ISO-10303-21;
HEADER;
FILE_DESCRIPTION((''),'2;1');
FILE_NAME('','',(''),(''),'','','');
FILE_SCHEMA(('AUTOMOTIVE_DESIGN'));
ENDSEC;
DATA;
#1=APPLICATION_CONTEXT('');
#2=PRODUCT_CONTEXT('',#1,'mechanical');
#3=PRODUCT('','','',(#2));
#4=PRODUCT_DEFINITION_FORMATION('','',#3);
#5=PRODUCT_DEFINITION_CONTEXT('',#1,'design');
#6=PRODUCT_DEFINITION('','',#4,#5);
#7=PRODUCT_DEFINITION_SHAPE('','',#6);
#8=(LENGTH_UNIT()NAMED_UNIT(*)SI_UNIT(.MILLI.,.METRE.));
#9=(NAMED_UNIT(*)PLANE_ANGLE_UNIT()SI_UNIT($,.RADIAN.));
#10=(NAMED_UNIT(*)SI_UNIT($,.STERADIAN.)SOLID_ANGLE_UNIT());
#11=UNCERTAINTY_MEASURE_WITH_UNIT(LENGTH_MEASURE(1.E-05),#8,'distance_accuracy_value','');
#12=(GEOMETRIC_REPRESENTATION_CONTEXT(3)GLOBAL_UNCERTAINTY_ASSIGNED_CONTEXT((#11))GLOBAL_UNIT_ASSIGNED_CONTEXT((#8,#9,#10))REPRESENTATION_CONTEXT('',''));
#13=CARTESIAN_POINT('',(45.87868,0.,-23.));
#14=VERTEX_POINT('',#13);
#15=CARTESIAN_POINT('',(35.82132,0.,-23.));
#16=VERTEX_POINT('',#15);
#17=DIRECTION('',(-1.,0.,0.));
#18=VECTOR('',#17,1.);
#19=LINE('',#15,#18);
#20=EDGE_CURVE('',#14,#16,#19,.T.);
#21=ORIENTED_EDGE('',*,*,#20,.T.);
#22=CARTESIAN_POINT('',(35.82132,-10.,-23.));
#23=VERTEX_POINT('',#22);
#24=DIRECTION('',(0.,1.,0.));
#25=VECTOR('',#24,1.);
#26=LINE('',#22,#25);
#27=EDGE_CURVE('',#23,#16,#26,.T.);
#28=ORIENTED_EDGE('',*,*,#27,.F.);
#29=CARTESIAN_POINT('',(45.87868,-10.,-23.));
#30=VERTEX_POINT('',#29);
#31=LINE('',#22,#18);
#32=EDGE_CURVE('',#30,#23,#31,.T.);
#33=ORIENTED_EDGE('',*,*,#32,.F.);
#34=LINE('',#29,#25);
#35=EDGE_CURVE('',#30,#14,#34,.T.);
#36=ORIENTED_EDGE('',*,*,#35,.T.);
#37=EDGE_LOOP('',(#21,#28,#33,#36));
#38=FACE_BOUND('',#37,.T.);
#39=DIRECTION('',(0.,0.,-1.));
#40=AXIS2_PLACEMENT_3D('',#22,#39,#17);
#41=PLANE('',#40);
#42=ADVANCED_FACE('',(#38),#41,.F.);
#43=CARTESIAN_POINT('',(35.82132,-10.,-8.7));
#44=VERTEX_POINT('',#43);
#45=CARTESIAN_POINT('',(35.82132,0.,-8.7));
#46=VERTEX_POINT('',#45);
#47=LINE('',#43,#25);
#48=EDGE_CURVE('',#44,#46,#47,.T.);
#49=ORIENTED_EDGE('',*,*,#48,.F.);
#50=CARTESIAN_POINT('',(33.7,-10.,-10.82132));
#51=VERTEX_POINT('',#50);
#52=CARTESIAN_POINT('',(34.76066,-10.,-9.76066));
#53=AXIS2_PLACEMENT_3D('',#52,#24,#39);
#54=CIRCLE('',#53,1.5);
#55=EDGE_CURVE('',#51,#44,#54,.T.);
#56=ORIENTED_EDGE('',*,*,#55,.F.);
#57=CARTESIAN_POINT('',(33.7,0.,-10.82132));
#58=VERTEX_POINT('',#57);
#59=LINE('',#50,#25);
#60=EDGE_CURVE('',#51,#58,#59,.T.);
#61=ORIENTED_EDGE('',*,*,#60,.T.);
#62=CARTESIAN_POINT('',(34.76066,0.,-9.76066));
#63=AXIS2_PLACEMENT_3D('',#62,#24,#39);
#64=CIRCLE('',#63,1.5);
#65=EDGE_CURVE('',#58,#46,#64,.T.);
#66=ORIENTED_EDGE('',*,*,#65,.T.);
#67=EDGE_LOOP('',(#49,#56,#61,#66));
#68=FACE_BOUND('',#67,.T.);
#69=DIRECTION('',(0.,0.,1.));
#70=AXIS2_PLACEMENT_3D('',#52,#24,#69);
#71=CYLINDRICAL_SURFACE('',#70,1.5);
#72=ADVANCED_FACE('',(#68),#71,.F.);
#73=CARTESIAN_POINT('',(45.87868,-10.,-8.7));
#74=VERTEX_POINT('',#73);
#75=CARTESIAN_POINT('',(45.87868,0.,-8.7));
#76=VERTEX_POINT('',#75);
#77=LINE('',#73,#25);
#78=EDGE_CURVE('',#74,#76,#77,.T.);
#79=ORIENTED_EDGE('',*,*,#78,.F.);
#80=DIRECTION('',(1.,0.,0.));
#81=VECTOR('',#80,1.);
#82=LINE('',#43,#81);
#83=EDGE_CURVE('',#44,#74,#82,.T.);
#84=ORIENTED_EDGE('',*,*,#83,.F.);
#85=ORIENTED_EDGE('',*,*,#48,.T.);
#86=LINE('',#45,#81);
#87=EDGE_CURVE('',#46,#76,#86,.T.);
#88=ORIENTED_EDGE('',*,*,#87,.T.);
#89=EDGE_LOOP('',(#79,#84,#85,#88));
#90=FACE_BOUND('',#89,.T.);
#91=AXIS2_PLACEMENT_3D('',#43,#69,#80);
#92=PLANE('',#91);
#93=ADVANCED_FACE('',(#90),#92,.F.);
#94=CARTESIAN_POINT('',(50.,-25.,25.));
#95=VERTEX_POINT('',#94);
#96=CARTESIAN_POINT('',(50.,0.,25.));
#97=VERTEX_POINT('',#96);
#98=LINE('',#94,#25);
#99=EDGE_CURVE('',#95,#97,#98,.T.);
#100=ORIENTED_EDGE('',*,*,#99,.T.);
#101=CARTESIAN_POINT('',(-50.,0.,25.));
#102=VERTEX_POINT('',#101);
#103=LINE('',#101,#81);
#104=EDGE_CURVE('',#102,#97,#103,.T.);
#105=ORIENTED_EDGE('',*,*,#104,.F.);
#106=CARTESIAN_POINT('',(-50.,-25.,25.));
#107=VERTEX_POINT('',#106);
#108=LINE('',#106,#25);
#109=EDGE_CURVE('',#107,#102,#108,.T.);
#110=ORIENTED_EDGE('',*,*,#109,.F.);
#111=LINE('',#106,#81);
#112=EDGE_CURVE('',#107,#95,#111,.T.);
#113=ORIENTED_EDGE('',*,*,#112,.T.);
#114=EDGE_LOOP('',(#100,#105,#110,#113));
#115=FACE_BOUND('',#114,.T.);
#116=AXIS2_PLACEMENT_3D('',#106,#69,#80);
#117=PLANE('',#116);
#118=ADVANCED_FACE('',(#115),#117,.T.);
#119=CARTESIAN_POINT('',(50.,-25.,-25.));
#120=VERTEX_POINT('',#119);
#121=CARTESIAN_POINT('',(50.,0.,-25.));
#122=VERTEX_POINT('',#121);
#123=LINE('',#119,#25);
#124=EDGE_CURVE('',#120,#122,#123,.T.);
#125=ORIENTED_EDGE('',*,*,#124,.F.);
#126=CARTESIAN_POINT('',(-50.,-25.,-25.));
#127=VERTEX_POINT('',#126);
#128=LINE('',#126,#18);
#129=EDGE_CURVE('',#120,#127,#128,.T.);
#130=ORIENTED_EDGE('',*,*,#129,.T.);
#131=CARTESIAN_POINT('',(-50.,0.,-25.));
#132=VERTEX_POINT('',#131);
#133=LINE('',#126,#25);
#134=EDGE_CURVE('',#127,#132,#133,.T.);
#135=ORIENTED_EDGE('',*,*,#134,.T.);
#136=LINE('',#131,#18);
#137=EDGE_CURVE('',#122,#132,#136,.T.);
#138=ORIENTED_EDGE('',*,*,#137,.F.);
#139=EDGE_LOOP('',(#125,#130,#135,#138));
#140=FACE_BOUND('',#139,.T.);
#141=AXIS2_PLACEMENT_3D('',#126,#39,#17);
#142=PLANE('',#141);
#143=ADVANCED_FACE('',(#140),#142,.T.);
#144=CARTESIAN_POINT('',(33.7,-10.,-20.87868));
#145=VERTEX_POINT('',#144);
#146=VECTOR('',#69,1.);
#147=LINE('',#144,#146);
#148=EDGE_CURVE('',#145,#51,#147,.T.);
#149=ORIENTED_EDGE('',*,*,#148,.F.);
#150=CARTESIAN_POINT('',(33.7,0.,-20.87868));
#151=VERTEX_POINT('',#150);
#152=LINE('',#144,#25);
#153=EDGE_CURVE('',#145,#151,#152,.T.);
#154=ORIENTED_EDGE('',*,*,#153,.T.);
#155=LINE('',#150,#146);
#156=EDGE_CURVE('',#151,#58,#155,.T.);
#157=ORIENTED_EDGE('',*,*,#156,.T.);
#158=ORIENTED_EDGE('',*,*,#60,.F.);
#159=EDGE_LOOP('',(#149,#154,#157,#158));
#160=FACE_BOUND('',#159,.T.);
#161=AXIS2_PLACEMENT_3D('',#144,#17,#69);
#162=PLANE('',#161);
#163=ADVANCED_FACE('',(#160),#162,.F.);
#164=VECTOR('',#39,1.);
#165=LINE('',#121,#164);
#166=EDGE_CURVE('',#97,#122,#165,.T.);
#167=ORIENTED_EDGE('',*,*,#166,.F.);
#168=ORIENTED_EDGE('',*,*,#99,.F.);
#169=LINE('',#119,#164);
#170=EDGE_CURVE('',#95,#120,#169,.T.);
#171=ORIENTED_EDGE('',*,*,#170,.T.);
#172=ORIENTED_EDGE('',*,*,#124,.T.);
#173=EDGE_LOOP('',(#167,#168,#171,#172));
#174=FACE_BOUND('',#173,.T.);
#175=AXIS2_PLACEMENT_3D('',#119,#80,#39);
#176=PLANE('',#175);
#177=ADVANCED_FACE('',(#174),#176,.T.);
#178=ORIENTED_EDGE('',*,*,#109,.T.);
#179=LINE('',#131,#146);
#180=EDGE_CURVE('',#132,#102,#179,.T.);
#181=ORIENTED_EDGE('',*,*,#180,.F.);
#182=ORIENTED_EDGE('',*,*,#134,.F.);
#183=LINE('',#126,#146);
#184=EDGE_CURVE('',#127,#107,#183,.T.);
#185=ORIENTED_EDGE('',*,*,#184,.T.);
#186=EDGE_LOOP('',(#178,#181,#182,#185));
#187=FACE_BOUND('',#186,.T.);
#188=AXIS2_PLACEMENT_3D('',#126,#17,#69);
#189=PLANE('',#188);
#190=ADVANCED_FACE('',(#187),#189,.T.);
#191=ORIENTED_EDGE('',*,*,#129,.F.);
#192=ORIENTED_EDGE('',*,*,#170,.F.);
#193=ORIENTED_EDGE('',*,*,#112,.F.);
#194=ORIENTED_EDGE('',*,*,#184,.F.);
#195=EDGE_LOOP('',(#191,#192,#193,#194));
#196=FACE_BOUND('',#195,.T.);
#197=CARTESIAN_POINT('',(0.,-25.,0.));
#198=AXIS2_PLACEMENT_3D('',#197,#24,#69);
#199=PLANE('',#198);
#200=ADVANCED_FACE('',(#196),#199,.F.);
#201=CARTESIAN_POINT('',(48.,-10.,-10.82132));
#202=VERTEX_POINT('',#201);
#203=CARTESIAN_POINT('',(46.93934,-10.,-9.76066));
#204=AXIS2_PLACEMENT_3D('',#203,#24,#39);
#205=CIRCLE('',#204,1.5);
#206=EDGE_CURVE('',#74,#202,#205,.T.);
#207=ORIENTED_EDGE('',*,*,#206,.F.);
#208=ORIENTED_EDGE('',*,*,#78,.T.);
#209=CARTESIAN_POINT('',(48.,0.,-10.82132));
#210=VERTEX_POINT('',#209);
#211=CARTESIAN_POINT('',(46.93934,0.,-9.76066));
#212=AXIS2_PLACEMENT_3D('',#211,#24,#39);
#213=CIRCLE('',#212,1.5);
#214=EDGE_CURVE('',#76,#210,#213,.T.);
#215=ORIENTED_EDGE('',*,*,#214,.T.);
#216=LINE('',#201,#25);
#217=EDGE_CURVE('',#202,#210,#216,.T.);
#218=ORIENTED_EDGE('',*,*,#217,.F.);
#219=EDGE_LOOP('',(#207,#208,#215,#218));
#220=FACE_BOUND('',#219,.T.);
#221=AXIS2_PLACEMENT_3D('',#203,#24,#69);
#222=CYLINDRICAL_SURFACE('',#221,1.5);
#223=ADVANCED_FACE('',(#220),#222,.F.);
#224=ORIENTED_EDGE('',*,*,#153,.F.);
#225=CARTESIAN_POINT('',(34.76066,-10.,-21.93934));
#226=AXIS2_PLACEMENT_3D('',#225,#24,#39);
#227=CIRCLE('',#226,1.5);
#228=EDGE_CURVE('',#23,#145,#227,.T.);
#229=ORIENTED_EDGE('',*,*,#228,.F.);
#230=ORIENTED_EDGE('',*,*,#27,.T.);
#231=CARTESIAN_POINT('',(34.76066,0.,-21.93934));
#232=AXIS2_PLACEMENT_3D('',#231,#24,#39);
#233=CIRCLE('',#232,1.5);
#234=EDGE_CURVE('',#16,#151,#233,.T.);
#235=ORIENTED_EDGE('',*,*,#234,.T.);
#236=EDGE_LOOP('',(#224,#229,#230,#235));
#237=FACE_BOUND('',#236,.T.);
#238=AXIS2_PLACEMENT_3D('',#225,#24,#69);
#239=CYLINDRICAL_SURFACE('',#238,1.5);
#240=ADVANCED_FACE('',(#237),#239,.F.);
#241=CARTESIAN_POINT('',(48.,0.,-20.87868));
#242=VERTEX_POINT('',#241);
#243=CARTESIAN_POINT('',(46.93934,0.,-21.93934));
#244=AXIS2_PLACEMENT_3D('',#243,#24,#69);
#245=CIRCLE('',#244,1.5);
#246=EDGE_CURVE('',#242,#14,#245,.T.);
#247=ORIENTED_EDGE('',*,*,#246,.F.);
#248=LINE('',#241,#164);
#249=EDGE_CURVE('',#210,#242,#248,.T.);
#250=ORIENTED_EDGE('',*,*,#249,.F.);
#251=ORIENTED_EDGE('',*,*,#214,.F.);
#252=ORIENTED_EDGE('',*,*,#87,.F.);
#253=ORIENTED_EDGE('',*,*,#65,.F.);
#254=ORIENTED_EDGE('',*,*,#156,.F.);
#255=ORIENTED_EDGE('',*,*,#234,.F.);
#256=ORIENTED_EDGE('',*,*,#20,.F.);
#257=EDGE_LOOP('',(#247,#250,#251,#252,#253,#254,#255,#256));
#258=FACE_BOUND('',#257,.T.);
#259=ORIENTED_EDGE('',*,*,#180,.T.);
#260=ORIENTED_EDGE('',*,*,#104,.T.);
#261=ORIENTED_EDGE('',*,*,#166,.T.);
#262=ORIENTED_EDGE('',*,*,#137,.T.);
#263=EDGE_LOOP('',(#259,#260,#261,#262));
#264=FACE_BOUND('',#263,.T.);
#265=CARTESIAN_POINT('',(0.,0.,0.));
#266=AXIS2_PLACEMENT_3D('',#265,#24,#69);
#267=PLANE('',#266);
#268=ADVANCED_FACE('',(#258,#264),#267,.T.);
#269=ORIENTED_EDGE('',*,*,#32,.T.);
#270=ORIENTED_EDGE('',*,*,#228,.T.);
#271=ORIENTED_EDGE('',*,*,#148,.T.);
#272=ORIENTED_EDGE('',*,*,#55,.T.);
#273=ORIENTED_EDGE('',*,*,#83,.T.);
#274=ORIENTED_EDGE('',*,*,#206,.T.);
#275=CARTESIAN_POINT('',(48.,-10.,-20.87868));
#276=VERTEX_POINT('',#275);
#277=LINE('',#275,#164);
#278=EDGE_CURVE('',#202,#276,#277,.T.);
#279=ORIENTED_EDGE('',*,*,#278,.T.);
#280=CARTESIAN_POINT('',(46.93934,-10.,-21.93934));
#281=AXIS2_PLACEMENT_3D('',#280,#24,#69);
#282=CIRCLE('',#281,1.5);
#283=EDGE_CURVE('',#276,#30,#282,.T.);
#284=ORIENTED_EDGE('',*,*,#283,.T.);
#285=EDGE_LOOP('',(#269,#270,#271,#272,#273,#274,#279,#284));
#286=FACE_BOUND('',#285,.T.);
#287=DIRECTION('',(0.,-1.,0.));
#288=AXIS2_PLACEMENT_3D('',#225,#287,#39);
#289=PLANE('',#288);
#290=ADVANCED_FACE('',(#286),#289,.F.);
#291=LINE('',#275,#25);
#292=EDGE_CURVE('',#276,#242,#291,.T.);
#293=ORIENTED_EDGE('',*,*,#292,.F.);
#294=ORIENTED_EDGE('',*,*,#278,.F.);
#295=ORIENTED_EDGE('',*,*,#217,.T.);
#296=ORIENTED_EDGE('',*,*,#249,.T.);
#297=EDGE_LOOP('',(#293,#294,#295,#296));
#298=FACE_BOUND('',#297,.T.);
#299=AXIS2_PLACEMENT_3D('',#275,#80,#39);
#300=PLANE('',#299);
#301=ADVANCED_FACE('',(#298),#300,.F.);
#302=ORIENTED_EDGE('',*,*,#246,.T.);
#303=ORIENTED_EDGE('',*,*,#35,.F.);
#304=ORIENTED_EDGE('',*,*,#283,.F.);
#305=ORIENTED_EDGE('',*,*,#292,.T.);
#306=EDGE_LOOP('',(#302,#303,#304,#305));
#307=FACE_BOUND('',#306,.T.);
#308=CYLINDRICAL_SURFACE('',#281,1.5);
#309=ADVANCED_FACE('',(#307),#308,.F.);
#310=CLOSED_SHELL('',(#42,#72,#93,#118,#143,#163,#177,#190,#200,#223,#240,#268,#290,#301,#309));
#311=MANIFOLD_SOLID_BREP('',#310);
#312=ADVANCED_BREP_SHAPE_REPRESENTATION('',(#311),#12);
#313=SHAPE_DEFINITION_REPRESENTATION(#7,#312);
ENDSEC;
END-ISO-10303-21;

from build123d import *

# Parameters (mm, degrees)
SKETCH1_W           = 100
SKETCH1_H           = 50
BOSS_EXTRUDE1_DEPTH = 25
CUT_EXTRUDE1_DEPTH  = 10


with BuildPart() as part:
    # Sketch1 → Boss-Extrude1 (new body)
    with BuildSketch(Plane(origin=(0, 0, 0), x_dir=(1, 0, 0), z_dir=(0, 1, 0))):
        Rectangle(SKETCH1_W, SKETCH1_H)
    extrude(amount=-BOSS_EXTRUDE1_DEPTH)

    # Sketch2 → Cut-Extrude1 (cut)
    with BuildSketch(Plane(origin=(0, 0, 0), x_dir=(1, 0, 0), z_dir=(0, 1, 0))):
        with BuildLine():
            Line((33.7, 20.878679656), (33.7, 10.821320344))
            ThreePointArc((33.7, 10.821320344), (33.7, 8.7), (35.821320344, 8.7))
            Line((35.821320344, 8.7), (45.878679656, 8.7))
            ThreePointArc((45.878679656, 8.7), (48, 8.7), (48, 10.821320344))
            Line((48, 10.821320344), (48, 20.878679656))
            ThreePointArc((48, 20.878679656), (48, 23), (45.878679656, 23))
            Line((45.878679656, 23), (35.821320344, 23))
            ThreePointArc((35.821320344, 23), (33.7, 23), (33.7, 20.878679656))
        make_face()
    extrude(amount=-CUT_EXTRUDE1_DEPTH, mode=Mode.SUBTRACT)


solid = part.part
